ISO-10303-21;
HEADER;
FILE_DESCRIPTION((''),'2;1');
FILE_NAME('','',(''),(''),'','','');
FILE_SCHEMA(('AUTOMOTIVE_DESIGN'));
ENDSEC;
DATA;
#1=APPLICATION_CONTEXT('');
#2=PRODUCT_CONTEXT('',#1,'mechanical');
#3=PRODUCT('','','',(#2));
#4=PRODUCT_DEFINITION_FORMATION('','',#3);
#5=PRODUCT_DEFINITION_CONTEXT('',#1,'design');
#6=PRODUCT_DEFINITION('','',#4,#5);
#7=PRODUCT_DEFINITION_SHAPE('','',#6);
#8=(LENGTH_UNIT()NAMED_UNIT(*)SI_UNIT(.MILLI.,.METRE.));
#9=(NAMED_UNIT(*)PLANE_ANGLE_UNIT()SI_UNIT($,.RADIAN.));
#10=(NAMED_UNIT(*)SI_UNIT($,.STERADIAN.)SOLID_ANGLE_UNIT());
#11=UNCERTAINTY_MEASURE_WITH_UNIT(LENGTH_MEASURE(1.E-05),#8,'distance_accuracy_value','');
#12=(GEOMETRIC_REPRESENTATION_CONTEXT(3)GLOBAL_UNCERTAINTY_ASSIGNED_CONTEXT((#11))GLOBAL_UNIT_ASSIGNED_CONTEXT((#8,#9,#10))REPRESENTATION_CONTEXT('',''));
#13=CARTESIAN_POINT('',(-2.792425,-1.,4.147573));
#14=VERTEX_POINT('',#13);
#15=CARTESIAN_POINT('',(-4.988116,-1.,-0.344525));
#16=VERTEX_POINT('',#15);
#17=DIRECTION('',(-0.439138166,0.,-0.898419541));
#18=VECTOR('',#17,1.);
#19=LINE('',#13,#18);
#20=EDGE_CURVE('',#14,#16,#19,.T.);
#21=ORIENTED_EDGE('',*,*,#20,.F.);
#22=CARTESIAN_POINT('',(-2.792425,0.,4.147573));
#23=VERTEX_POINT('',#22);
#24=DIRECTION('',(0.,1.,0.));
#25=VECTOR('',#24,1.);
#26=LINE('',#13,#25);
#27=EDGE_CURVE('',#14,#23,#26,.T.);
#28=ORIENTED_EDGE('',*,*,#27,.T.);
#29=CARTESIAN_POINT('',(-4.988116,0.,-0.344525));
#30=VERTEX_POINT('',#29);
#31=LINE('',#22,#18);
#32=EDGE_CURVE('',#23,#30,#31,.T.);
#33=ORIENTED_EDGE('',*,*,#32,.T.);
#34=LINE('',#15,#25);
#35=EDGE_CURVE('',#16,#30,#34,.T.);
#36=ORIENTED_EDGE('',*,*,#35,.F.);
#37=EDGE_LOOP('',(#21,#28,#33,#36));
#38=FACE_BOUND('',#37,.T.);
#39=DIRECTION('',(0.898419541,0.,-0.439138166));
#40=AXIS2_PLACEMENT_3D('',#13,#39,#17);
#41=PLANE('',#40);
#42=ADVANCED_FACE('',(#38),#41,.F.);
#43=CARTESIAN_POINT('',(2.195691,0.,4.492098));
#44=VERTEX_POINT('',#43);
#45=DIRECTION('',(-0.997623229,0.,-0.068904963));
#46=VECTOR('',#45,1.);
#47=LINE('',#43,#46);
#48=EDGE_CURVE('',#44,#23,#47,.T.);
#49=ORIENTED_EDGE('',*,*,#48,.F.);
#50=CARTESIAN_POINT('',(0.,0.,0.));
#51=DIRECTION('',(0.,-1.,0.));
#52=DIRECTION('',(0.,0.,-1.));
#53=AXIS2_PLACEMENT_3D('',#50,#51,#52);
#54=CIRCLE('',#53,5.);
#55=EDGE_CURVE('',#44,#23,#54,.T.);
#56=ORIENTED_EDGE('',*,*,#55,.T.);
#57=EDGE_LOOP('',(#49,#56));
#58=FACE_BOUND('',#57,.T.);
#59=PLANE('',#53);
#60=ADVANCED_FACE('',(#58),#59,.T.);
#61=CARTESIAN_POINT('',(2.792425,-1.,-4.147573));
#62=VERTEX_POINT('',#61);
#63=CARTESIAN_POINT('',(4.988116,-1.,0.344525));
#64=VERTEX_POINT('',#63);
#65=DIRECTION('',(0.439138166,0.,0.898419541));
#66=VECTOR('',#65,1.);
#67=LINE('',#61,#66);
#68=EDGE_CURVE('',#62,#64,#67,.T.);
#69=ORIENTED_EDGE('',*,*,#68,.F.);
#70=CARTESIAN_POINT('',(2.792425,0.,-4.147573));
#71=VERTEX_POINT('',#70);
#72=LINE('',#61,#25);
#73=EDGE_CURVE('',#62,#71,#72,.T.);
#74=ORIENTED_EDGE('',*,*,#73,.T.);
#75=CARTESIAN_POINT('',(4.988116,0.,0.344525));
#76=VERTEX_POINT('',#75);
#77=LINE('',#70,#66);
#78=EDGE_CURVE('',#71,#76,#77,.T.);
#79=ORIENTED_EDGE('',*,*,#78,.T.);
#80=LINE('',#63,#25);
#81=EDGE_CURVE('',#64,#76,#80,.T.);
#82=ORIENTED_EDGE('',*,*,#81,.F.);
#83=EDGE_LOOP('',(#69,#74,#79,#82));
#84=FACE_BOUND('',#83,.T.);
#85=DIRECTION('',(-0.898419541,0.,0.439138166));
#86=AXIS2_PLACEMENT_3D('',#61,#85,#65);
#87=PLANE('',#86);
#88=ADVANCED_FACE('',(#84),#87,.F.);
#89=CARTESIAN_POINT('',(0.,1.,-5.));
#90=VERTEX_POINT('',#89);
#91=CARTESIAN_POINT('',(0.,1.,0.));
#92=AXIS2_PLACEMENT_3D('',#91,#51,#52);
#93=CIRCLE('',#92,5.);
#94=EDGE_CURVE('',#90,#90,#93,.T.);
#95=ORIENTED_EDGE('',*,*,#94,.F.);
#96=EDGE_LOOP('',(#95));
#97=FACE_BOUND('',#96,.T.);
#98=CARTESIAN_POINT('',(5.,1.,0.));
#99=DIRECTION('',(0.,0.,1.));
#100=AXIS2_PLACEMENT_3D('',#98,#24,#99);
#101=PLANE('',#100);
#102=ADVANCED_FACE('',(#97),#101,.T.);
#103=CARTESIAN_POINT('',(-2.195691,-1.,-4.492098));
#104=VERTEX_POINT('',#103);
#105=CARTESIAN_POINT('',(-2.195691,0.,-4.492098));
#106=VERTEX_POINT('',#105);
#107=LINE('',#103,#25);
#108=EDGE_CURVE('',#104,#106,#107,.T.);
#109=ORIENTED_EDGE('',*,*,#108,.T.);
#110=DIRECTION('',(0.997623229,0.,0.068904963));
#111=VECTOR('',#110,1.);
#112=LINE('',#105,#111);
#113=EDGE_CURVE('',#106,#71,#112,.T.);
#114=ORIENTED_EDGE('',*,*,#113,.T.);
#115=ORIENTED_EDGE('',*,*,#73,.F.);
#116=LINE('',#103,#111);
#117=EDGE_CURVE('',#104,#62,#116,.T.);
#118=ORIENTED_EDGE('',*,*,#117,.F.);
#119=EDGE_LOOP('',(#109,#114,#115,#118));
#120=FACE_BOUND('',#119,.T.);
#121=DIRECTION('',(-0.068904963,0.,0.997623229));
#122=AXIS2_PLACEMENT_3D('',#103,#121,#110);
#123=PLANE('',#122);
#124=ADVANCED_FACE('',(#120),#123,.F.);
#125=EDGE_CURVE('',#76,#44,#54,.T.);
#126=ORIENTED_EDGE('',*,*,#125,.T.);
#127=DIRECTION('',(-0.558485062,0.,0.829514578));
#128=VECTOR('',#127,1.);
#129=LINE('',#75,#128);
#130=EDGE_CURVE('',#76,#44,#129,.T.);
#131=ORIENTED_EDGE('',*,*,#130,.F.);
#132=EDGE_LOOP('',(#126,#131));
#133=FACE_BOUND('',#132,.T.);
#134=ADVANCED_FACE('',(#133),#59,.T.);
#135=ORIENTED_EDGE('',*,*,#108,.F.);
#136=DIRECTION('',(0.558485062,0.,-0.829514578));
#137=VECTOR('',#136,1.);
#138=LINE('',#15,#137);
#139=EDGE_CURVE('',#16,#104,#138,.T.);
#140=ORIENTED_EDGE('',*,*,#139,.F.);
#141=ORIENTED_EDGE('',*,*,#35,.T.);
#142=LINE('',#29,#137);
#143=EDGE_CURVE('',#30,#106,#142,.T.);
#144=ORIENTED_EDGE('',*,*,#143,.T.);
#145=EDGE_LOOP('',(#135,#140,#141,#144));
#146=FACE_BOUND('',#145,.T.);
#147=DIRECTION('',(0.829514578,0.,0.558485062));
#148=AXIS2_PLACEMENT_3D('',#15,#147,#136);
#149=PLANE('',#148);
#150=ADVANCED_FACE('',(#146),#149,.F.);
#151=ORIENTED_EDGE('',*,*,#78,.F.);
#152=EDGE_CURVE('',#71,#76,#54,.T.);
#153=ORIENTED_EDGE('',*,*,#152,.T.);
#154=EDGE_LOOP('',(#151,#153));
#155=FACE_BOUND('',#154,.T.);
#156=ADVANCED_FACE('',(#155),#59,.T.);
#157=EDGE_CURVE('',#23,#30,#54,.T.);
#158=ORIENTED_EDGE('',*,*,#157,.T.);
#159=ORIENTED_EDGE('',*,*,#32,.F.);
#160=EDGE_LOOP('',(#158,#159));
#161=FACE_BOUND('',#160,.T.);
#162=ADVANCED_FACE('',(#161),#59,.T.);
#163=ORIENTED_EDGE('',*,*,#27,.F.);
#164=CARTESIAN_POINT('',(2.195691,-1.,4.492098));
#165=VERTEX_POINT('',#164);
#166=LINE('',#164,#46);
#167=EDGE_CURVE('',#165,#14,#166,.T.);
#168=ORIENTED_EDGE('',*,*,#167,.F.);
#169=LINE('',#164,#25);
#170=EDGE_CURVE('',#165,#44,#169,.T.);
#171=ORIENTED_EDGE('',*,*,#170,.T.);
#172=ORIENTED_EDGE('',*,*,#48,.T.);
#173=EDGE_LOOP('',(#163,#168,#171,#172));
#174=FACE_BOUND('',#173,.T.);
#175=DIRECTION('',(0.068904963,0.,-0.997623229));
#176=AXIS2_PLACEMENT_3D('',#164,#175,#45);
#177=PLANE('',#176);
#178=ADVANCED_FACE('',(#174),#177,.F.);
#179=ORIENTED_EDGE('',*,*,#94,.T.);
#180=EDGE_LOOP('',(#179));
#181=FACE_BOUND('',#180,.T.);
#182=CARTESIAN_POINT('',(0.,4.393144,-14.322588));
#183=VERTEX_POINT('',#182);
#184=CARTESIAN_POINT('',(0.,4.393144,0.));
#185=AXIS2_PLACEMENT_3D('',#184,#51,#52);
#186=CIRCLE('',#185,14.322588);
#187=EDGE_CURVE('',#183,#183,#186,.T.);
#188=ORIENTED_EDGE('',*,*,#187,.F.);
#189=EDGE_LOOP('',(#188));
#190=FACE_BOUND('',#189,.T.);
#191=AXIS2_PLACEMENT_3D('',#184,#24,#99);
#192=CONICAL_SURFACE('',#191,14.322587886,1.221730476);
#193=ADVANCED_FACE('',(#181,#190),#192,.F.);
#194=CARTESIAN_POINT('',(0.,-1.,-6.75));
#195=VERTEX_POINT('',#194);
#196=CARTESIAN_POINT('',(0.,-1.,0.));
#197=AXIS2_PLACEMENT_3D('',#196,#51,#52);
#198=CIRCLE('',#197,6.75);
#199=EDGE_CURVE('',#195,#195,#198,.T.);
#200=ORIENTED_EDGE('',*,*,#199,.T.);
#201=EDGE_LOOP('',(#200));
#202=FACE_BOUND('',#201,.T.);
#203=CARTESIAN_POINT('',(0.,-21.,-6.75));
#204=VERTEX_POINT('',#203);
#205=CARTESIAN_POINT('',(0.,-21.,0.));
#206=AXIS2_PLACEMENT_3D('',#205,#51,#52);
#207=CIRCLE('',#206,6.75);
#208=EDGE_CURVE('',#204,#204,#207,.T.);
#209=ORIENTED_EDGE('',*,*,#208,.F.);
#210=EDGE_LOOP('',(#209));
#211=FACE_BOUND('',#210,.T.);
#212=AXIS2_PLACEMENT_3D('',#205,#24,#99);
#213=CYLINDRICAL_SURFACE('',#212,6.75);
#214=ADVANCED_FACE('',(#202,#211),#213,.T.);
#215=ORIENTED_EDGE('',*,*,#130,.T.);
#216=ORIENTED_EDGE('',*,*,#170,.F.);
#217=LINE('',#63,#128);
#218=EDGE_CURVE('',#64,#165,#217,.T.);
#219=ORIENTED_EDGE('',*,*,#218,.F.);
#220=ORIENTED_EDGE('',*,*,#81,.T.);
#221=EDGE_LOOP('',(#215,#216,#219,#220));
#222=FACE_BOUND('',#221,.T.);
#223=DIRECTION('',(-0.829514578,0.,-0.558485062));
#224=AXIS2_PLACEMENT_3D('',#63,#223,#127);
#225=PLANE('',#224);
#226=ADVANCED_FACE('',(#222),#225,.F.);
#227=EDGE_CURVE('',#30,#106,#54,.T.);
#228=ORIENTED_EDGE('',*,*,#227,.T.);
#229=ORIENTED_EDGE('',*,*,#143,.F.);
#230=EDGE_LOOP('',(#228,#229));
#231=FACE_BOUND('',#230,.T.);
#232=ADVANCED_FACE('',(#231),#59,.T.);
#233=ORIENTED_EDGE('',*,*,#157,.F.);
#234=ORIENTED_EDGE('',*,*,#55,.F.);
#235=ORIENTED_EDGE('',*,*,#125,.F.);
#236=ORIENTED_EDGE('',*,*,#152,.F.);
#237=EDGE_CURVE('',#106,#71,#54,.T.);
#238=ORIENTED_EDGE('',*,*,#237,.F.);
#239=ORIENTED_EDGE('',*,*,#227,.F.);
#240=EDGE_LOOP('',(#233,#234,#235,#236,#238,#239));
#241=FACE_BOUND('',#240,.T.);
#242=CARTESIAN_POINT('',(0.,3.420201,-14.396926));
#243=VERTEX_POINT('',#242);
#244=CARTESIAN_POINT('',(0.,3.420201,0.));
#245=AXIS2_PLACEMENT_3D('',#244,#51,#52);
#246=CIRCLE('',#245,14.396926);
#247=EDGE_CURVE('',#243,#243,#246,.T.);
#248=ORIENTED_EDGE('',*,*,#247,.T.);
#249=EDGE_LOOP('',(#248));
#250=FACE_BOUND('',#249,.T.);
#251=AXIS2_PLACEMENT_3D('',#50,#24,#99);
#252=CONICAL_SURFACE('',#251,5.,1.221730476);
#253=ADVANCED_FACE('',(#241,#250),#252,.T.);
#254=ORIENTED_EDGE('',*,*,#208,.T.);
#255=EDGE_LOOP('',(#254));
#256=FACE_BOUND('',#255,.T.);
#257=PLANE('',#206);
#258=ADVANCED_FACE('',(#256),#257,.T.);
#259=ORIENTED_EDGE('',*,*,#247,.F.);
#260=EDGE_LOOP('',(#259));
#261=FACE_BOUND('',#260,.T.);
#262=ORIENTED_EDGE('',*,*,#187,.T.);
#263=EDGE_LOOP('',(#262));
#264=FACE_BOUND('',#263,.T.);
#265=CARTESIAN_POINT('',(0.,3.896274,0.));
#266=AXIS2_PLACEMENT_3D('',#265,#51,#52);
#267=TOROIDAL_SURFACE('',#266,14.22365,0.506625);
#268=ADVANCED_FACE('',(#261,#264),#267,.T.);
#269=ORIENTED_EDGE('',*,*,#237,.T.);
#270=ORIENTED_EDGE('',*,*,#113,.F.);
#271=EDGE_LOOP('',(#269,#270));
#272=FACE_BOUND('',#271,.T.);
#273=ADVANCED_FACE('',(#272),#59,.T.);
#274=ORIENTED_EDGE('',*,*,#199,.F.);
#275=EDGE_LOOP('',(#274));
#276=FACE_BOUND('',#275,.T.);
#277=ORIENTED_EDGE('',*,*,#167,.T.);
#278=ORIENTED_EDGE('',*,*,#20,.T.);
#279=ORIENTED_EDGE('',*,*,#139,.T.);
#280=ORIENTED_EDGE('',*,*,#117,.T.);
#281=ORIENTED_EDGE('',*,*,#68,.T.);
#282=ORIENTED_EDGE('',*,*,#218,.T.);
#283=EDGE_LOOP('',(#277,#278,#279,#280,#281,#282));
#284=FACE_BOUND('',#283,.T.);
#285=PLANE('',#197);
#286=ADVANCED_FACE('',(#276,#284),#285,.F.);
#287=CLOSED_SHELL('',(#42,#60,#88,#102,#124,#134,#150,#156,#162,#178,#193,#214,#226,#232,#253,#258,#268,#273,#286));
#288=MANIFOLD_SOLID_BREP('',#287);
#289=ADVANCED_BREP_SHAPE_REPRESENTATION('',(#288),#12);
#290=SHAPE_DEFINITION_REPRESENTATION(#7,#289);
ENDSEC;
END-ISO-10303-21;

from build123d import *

# Parameters (mm, degrees)
BOSS_EXTRU_1_DEPTH  = 1
SKETCH1_R           = 6.75
BOSS_EXTRUDE1_DEPTH = 20


with BuildPart() as part:
    # Esquisse1 → Révolution1 (revolve)
    with BuildSketch(Plane.XY):
        with BuildLine():
            Line((0, 0), (5, 0))
            Line((5, 0), (14.396926208, 3.420201433))
            ThreePointArc((14.396926208, 3.420201433), (14.728803197, 3.934870166), (14.322587886, 4.393144497))
            Line((14.322587886, 4.393144497), (5, 1))
            Line((5, 1), (0, 1))
            Line((0, 1), (0, 0))
        make_face()
    revolve(axis=Axis((0, 0, 0), (0, 1, 0)))

    # Esquisse2 → Boss.-Extru.1 (add)
    with BuildSketch(Plane.XZ):
        Polygon((2.792425312, -4.14757289), (4.988116143, 0.344524813), (2.195690831, 4.492097703), (-2.792425312, 4.14757289), (-4.988116143, -0.344524813), (-2.195690831, -4.492097703), align=None)
    extrude(amount=BOSS_EXTRU_1_DEPTH)

    # Sketch1 → Boss-Extrude1 (add)
    with BuildSketch(Plane.XZ.offset(1)):
        Circle(SKETCH1_R)
    extrude(amount=BOSS_EXTRUDE1_DEPTH)


solid = part.part
